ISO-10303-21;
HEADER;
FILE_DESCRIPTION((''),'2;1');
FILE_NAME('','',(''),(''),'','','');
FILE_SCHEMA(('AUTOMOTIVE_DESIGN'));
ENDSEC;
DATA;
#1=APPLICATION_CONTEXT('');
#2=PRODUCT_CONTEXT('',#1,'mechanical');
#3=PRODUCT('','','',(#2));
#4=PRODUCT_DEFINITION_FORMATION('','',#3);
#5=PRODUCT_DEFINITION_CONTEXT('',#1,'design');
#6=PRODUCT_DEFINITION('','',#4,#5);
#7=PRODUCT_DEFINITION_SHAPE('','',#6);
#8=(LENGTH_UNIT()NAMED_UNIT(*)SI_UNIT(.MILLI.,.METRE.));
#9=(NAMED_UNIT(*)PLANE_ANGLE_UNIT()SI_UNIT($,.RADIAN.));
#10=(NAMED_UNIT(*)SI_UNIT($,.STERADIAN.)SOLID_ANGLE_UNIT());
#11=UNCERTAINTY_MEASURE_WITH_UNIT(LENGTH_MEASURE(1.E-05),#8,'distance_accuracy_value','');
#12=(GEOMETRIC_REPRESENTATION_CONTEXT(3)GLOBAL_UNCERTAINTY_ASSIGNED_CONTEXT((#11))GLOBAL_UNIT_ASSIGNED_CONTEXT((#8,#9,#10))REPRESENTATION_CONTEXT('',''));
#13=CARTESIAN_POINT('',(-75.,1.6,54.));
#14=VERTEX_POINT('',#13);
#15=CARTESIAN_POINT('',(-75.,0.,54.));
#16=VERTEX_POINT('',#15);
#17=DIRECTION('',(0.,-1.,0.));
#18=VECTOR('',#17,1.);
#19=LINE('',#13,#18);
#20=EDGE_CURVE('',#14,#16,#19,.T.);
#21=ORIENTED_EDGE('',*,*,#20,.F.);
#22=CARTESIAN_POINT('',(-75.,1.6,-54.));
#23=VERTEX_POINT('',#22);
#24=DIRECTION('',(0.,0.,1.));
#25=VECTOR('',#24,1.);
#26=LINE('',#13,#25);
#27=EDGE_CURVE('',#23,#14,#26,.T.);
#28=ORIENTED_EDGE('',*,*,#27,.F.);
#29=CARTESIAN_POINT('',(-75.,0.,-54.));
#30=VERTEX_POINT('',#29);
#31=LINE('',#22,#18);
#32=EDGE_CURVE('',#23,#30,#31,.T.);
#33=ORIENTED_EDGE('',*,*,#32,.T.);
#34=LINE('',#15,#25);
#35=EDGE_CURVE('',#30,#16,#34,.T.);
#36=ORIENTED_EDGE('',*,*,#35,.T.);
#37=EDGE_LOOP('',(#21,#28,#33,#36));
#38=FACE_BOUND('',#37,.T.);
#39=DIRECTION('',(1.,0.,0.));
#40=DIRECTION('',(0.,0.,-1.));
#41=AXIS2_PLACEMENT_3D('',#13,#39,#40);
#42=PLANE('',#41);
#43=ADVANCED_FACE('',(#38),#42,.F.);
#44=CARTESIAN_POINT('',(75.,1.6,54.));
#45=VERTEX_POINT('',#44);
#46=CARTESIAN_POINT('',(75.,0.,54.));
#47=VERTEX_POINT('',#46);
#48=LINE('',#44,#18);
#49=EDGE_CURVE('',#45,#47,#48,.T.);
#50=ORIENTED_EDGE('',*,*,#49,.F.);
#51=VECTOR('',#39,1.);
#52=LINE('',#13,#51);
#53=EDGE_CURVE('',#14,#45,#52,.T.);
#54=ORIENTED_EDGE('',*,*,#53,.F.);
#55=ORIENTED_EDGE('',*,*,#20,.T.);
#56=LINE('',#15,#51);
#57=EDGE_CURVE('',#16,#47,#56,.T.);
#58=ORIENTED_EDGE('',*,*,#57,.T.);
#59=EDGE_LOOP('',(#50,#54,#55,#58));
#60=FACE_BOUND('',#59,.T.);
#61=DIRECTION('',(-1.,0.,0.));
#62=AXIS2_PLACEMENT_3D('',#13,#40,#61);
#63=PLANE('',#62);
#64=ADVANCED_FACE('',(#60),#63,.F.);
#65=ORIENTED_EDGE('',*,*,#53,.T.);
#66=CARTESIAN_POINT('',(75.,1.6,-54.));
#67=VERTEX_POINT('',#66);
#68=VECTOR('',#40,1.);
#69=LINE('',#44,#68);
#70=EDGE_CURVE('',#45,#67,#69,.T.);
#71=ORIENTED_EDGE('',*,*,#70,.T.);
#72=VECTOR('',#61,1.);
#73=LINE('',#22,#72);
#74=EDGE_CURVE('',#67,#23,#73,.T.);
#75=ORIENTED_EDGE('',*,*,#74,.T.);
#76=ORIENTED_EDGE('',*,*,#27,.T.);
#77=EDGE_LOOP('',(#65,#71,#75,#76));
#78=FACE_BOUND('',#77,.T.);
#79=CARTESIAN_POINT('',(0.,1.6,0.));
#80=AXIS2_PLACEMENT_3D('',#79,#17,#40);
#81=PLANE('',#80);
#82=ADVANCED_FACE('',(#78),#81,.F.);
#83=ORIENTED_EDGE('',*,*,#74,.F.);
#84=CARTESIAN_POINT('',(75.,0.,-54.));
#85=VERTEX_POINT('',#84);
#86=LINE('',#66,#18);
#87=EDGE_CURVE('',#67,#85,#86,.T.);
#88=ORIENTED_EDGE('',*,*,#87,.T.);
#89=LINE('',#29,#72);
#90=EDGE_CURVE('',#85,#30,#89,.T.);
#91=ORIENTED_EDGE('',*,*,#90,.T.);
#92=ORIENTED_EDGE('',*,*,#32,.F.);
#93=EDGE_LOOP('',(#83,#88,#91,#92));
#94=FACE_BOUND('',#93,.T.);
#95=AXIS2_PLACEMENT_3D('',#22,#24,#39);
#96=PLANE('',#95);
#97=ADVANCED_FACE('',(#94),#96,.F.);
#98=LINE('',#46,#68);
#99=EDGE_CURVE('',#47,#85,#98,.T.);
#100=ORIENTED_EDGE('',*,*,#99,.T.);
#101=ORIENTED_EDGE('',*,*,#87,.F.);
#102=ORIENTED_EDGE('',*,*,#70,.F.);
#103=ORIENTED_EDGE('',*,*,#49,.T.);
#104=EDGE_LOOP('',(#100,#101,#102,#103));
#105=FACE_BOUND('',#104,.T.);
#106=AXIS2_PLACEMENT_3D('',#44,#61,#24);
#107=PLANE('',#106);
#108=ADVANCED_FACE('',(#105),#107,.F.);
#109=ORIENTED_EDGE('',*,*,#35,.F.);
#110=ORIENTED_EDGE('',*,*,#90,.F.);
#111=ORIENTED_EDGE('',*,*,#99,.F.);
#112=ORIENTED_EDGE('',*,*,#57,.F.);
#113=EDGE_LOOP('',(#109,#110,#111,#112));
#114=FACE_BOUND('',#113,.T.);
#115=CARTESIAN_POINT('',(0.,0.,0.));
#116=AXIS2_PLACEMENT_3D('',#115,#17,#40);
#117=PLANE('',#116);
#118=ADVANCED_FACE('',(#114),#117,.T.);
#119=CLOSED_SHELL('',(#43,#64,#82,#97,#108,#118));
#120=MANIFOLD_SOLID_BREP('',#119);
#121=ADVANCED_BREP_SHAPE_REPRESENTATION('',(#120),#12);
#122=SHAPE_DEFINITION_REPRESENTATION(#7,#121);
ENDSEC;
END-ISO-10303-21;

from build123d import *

# Parameters (mm, degrees)
ESQUISSE1_W        = 150
ESQUISSE1_H        = 108
BOSS_EXTRU_1_DEPTH = 1.6


with BuildPart() as part:
    # Esquisse1 → Boss.-Extru.1 (new body)
    with BuildSketch(Plane(origin=(0, 0, 0), x_dir=(1, 0, 0), z_dir=(0, 1, 0))):
        Rectangle(ESQUISSE1_W, ESQUISSE1_H)
    extrude(amount=BOSS_EXTRU_1_DEPTH)


solid = part.part
